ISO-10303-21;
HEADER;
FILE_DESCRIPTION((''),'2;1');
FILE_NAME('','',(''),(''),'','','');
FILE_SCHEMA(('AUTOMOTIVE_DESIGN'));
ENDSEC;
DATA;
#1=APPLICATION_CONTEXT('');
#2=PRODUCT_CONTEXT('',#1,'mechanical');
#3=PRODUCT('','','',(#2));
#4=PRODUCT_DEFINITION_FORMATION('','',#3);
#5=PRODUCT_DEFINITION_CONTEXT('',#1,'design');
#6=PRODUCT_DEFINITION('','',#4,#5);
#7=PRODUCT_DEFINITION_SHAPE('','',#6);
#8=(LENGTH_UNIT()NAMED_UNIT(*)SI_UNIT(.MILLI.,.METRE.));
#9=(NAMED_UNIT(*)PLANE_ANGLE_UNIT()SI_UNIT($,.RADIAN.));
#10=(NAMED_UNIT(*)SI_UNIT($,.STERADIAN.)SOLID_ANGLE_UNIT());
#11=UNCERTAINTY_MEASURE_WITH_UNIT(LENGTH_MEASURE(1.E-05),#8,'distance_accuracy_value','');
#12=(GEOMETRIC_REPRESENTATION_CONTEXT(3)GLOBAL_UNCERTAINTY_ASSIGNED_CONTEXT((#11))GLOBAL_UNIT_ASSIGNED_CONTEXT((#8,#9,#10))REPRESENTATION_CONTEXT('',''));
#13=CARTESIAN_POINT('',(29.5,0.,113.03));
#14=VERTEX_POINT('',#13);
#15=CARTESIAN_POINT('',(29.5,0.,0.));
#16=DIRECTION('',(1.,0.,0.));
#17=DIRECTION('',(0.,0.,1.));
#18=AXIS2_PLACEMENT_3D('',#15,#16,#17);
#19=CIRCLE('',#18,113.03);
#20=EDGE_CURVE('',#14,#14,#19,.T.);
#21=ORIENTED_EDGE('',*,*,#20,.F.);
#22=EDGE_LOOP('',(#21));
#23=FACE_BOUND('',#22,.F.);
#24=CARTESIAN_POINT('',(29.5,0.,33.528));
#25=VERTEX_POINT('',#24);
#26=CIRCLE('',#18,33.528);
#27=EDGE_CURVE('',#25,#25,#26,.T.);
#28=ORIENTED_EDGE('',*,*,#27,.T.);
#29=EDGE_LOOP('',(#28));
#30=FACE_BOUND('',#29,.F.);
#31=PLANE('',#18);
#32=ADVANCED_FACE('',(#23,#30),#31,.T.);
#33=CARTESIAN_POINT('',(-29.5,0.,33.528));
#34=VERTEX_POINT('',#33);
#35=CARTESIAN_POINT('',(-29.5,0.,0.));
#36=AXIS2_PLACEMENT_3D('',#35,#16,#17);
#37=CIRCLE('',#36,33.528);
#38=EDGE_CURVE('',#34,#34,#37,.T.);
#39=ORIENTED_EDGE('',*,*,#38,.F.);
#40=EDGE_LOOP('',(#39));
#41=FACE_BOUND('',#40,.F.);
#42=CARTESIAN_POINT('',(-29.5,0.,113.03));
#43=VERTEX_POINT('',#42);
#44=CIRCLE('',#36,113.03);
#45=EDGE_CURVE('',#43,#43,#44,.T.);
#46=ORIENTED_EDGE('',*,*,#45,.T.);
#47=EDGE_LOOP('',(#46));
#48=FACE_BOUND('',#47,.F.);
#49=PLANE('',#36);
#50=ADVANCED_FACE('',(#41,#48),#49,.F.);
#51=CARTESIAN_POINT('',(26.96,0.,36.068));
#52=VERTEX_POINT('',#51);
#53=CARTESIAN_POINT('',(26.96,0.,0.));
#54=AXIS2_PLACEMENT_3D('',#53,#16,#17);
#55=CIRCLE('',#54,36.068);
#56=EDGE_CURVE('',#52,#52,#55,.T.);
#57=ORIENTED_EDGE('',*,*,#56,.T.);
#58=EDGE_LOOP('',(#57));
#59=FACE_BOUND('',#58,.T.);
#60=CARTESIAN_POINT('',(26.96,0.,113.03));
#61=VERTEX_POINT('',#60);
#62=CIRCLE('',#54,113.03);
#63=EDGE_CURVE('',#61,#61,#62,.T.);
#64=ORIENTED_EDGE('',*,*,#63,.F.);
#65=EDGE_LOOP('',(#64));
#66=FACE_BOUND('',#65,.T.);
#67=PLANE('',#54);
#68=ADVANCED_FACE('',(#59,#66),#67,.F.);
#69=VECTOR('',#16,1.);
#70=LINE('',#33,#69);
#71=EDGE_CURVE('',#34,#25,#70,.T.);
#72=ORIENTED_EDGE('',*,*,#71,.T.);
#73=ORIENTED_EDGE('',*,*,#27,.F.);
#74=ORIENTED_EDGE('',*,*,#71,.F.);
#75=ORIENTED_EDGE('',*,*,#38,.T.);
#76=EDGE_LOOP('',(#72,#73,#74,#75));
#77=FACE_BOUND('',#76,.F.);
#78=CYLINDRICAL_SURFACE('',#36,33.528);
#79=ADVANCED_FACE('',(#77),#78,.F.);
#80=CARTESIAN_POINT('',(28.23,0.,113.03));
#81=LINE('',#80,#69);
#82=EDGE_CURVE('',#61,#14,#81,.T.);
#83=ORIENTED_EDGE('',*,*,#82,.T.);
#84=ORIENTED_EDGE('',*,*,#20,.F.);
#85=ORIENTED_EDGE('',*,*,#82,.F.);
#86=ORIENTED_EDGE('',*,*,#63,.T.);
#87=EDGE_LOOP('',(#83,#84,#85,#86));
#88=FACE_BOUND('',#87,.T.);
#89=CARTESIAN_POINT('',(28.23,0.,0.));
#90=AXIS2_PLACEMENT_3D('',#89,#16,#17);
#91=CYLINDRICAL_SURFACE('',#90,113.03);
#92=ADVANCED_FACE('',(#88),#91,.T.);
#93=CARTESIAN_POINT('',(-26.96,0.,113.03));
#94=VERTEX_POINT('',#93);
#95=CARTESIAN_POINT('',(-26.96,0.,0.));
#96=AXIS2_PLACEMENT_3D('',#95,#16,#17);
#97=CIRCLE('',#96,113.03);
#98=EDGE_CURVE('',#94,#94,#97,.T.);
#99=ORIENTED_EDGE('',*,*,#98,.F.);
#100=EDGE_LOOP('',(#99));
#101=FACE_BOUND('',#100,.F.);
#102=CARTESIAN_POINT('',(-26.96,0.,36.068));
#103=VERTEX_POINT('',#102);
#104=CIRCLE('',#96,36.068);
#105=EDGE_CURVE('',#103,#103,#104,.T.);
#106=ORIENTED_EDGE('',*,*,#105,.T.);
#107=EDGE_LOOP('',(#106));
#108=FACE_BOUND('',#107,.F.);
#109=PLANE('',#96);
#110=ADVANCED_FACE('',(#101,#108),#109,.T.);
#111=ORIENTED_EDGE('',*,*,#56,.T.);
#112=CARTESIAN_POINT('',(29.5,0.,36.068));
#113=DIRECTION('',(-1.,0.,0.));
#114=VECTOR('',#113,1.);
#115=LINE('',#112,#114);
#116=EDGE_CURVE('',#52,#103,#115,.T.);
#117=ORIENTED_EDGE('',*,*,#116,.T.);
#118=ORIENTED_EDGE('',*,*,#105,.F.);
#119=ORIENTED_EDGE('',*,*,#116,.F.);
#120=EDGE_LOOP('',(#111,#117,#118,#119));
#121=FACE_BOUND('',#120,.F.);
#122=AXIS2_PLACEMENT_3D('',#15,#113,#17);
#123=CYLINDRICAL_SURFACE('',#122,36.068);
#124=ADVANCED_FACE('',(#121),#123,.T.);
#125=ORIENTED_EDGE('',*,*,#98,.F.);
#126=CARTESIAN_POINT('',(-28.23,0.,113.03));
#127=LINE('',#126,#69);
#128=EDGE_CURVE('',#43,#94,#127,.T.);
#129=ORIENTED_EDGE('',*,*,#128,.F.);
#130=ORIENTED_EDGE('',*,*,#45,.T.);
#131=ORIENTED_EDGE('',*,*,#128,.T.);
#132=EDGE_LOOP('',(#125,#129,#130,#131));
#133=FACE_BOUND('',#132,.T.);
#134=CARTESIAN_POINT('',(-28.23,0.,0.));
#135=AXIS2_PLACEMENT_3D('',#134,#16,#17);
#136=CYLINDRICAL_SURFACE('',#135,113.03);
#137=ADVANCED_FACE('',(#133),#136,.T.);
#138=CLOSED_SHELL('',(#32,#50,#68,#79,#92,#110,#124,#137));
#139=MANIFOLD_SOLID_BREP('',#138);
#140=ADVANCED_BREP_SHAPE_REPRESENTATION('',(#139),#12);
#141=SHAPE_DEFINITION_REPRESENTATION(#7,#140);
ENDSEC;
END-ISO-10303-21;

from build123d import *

# Parameters (mm, degrees)
F0_W   = 2.54
F0_H   = 2.54
F0_H_2 = 76.962


with BuildPart() as f1:
    # F0 (on Front) → F1 (revolve)
    with BuildSketch(Plane.XZ):
        Polygon((-26.96, 33.528), (0, 33.528), (26.96, 33.528), (26.96, 36.068), (0, 36.068), (-26.96, 36.068), align=None)
        with Locations((28.23, 34.798)):
            Rectangle(F0_W, F0_H)
        with Locations((-28.23, 34.798)):
            Rectangle(F0_W, F0_H)
        with Locations((28.23, 74.549)):
            Rectangle(F0_W, F0_H_2)
        with Locations((-28.23, 74.549)):
            Rectangle(F0_W, F0_H_2)
    revolve(axis=Axis((13.856179, 0, 0), (1, 0, 0)))


solid = f1.part
